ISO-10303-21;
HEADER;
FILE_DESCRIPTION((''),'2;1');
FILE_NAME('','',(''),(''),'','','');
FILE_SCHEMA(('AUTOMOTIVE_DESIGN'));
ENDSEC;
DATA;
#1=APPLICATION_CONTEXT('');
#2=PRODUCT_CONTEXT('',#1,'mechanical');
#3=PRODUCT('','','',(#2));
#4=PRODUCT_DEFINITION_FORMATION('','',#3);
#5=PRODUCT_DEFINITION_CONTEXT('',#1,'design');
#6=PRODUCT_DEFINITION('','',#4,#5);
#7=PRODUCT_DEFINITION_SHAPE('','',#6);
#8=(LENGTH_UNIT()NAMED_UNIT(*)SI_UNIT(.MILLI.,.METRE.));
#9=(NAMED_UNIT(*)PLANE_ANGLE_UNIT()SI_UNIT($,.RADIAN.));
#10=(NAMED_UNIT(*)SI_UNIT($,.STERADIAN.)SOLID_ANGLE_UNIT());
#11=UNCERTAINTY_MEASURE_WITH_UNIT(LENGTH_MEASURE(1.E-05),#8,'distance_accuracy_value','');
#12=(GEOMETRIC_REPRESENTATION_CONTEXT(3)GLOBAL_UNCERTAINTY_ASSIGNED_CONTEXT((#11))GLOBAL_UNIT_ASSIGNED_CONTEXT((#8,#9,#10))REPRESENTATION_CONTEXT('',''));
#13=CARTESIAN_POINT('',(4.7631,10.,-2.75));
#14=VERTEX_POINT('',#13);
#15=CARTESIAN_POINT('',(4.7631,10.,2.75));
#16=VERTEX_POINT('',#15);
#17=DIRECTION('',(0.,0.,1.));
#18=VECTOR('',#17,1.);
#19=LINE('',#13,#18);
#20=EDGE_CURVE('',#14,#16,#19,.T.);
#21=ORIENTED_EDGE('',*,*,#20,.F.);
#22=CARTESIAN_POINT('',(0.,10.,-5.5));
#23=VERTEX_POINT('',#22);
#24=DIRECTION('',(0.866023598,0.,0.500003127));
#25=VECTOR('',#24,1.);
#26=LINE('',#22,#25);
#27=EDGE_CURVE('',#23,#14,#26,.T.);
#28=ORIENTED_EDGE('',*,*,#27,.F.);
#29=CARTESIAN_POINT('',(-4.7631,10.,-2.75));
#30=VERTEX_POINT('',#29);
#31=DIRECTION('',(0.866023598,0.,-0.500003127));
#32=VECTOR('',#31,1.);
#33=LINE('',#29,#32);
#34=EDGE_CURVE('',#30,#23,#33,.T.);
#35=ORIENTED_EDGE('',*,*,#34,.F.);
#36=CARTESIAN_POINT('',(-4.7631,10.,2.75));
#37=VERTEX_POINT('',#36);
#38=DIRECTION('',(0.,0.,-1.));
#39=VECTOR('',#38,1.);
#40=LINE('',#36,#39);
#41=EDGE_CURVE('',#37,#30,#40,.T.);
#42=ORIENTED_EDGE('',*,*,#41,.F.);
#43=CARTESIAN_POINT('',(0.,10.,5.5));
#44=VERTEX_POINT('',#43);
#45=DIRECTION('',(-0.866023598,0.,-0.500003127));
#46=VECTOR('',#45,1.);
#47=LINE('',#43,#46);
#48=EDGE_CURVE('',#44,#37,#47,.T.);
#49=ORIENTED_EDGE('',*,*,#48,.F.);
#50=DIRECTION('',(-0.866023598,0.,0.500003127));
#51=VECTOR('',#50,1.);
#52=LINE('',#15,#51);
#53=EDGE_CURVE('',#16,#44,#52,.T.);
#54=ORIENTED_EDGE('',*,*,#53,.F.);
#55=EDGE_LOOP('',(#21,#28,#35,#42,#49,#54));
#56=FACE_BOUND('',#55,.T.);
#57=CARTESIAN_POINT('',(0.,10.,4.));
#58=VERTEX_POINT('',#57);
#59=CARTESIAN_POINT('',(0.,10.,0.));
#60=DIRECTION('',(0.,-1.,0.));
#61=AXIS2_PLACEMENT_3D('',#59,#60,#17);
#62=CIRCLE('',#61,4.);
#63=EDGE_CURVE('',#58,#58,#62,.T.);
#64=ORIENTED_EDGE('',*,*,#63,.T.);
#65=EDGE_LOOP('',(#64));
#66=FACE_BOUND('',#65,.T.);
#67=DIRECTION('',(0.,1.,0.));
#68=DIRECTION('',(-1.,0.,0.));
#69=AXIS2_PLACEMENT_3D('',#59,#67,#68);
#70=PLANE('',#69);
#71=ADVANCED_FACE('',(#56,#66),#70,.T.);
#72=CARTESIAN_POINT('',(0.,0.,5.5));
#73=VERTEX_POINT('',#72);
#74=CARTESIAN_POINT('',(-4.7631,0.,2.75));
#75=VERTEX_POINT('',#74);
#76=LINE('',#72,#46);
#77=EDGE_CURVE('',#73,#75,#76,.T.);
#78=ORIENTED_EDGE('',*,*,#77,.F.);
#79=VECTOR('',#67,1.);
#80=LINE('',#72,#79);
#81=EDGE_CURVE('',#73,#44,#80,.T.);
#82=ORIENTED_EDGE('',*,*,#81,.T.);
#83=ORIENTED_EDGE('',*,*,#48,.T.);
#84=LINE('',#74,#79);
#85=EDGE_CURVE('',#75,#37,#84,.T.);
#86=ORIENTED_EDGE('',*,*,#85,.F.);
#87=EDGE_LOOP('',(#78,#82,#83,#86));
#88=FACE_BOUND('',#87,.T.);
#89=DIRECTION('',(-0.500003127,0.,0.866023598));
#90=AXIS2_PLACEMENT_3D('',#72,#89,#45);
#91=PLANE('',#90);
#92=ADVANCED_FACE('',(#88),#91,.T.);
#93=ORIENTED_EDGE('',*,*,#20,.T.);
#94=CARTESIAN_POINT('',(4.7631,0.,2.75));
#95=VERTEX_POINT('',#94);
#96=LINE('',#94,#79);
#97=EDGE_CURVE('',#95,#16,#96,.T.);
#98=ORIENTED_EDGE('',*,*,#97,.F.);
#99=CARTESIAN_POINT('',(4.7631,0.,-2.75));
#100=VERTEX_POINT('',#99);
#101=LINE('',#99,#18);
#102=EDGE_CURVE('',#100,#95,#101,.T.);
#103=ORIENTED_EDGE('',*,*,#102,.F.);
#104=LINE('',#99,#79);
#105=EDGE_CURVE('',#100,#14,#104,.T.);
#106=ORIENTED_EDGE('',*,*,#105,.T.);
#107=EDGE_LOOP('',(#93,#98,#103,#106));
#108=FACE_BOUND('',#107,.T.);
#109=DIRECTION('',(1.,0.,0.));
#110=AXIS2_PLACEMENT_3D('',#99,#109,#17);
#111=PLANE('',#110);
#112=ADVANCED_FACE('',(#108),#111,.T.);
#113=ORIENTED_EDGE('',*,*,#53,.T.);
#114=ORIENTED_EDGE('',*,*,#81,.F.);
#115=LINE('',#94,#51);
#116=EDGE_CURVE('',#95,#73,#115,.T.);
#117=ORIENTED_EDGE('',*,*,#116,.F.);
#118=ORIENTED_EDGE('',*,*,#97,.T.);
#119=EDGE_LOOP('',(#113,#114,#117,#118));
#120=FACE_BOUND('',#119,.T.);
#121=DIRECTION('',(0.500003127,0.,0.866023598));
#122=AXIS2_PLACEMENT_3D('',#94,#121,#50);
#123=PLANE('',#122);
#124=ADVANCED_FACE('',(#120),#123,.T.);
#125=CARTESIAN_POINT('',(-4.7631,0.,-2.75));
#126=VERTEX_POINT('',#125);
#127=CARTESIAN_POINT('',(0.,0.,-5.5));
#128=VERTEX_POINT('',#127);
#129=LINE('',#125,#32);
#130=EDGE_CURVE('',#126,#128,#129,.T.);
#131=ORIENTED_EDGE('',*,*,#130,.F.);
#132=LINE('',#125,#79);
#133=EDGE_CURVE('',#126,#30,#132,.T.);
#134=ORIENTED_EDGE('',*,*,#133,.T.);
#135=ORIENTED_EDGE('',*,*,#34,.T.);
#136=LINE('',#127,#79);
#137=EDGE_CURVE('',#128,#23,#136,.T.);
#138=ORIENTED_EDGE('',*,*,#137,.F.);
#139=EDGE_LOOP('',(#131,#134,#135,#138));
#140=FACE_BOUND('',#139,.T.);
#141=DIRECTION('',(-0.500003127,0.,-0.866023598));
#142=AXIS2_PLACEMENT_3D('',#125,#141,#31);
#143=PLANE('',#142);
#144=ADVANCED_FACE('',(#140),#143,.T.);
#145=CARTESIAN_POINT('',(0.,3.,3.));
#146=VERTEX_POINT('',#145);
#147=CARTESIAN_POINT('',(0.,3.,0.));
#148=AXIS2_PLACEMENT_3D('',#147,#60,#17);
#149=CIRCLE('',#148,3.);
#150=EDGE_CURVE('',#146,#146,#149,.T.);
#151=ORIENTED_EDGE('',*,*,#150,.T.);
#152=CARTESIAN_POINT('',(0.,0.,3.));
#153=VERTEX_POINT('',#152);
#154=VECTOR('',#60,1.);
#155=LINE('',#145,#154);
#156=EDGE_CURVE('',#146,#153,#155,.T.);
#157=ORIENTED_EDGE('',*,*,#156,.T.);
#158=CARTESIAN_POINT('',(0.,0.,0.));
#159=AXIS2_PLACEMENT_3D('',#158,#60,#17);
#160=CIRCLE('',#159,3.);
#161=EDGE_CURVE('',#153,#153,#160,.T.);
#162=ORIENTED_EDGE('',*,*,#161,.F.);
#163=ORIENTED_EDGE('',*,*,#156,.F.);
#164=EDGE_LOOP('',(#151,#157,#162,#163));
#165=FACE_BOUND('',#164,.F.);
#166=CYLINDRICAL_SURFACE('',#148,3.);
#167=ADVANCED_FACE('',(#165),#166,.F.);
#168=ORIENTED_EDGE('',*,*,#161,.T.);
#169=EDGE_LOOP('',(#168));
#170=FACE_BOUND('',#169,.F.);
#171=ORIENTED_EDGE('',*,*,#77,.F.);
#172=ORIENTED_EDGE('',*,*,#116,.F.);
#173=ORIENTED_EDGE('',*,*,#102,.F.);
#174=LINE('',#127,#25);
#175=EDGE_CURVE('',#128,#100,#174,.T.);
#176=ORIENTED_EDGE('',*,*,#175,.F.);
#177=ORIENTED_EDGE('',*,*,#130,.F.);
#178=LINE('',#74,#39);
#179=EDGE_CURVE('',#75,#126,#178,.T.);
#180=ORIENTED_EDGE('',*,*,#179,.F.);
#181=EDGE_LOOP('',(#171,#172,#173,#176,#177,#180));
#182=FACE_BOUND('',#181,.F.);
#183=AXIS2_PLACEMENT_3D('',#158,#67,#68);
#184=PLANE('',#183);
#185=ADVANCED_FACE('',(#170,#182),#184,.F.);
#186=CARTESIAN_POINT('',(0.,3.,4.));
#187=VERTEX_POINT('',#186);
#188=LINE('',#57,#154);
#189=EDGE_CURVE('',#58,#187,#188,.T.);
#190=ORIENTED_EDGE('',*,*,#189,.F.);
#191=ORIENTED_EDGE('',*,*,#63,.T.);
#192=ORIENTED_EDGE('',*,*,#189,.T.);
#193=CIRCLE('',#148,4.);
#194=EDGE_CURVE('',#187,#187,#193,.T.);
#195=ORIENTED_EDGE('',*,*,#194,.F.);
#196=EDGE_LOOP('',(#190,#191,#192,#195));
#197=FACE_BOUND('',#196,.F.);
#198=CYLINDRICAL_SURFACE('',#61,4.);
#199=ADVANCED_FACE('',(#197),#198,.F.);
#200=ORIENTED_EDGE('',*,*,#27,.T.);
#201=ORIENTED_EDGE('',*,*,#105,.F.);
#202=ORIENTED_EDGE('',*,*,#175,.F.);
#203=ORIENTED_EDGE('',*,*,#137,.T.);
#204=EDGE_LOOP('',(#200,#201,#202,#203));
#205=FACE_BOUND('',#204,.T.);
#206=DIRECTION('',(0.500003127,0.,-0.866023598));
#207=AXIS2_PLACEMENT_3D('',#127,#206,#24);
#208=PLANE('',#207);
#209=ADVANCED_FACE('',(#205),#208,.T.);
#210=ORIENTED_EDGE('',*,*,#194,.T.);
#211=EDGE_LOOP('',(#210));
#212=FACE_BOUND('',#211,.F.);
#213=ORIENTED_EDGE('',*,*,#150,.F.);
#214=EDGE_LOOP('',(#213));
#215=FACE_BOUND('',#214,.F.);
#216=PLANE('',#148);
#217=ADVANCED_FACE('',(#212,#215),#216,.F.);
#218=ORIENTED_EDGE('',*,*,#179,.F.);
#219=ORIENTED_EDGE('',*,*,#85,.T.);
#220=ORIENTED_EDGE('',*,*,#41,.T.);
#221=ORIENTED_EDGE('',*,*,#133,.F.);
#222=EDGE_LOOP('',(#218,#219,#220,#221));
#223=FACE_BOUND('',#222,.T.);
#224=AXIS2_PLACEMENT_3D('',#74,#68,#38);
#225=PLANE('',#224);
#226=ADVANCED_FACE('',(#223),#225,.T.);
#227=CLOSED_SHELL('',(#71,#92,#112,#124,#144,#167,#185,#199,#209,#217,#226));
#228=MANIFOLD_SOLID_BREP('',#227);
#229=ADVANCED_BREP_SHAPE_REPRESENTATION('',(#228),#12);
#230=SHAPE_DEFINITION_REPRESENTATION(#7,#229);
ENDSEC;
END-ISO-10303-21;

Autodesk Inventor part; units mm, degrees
ref_plane "YZ Plane" through (0, 0, 0) normal (1, 0, 0) x (0, 1, 0)
ref_plane "XZ Plane" through (0, 0, 0) normal (0, 1, 0) x (-1, 0, 0)
ref_plane "XY Plane" through (0, 0, 0) normal (0, 0, 1) x (1, 0, 0)
sketch "Sketch1" plane through (0, 0, 0) normal (0, 1, 0) x (-1, 0, 0)
  line L0 (0, 0) -> (0, -5.5)
  line L1 (0, -5.5) -> (-4.7631, -2.75)
  line L2 (-4.7631, -2.75) -> (-4.7631, 2.75)
  line L3 (-4.7631, 2.75) -> (0, 5.5)
  line L4 (0, 5.5) -> (4.7631, 2.75)
  line L5 (4.7631, 2.75) -> (4.7631, -2.75)
  line L6 (4.7631, -2.75) -> (0, -5.5)
  dimension "d0" = 5.5
extrude "Extrusion1" add sketch "Sketch1" along normal blind 10
sketch "Sketch2" plane through (0, 10, 0) normal (0, 1, 0) x (1, 0, 0)
  circle A0 centre (0, 0) radius 4
  dimension "d3" = 8
hole "Hole1" at (0, 10, 0) direction (0, -1, 0) diameter 6 depth 10 tip angle 118 counterbore diameter 8 counterbore depth 7
properties part number "M8x6 Pipe Nut"
